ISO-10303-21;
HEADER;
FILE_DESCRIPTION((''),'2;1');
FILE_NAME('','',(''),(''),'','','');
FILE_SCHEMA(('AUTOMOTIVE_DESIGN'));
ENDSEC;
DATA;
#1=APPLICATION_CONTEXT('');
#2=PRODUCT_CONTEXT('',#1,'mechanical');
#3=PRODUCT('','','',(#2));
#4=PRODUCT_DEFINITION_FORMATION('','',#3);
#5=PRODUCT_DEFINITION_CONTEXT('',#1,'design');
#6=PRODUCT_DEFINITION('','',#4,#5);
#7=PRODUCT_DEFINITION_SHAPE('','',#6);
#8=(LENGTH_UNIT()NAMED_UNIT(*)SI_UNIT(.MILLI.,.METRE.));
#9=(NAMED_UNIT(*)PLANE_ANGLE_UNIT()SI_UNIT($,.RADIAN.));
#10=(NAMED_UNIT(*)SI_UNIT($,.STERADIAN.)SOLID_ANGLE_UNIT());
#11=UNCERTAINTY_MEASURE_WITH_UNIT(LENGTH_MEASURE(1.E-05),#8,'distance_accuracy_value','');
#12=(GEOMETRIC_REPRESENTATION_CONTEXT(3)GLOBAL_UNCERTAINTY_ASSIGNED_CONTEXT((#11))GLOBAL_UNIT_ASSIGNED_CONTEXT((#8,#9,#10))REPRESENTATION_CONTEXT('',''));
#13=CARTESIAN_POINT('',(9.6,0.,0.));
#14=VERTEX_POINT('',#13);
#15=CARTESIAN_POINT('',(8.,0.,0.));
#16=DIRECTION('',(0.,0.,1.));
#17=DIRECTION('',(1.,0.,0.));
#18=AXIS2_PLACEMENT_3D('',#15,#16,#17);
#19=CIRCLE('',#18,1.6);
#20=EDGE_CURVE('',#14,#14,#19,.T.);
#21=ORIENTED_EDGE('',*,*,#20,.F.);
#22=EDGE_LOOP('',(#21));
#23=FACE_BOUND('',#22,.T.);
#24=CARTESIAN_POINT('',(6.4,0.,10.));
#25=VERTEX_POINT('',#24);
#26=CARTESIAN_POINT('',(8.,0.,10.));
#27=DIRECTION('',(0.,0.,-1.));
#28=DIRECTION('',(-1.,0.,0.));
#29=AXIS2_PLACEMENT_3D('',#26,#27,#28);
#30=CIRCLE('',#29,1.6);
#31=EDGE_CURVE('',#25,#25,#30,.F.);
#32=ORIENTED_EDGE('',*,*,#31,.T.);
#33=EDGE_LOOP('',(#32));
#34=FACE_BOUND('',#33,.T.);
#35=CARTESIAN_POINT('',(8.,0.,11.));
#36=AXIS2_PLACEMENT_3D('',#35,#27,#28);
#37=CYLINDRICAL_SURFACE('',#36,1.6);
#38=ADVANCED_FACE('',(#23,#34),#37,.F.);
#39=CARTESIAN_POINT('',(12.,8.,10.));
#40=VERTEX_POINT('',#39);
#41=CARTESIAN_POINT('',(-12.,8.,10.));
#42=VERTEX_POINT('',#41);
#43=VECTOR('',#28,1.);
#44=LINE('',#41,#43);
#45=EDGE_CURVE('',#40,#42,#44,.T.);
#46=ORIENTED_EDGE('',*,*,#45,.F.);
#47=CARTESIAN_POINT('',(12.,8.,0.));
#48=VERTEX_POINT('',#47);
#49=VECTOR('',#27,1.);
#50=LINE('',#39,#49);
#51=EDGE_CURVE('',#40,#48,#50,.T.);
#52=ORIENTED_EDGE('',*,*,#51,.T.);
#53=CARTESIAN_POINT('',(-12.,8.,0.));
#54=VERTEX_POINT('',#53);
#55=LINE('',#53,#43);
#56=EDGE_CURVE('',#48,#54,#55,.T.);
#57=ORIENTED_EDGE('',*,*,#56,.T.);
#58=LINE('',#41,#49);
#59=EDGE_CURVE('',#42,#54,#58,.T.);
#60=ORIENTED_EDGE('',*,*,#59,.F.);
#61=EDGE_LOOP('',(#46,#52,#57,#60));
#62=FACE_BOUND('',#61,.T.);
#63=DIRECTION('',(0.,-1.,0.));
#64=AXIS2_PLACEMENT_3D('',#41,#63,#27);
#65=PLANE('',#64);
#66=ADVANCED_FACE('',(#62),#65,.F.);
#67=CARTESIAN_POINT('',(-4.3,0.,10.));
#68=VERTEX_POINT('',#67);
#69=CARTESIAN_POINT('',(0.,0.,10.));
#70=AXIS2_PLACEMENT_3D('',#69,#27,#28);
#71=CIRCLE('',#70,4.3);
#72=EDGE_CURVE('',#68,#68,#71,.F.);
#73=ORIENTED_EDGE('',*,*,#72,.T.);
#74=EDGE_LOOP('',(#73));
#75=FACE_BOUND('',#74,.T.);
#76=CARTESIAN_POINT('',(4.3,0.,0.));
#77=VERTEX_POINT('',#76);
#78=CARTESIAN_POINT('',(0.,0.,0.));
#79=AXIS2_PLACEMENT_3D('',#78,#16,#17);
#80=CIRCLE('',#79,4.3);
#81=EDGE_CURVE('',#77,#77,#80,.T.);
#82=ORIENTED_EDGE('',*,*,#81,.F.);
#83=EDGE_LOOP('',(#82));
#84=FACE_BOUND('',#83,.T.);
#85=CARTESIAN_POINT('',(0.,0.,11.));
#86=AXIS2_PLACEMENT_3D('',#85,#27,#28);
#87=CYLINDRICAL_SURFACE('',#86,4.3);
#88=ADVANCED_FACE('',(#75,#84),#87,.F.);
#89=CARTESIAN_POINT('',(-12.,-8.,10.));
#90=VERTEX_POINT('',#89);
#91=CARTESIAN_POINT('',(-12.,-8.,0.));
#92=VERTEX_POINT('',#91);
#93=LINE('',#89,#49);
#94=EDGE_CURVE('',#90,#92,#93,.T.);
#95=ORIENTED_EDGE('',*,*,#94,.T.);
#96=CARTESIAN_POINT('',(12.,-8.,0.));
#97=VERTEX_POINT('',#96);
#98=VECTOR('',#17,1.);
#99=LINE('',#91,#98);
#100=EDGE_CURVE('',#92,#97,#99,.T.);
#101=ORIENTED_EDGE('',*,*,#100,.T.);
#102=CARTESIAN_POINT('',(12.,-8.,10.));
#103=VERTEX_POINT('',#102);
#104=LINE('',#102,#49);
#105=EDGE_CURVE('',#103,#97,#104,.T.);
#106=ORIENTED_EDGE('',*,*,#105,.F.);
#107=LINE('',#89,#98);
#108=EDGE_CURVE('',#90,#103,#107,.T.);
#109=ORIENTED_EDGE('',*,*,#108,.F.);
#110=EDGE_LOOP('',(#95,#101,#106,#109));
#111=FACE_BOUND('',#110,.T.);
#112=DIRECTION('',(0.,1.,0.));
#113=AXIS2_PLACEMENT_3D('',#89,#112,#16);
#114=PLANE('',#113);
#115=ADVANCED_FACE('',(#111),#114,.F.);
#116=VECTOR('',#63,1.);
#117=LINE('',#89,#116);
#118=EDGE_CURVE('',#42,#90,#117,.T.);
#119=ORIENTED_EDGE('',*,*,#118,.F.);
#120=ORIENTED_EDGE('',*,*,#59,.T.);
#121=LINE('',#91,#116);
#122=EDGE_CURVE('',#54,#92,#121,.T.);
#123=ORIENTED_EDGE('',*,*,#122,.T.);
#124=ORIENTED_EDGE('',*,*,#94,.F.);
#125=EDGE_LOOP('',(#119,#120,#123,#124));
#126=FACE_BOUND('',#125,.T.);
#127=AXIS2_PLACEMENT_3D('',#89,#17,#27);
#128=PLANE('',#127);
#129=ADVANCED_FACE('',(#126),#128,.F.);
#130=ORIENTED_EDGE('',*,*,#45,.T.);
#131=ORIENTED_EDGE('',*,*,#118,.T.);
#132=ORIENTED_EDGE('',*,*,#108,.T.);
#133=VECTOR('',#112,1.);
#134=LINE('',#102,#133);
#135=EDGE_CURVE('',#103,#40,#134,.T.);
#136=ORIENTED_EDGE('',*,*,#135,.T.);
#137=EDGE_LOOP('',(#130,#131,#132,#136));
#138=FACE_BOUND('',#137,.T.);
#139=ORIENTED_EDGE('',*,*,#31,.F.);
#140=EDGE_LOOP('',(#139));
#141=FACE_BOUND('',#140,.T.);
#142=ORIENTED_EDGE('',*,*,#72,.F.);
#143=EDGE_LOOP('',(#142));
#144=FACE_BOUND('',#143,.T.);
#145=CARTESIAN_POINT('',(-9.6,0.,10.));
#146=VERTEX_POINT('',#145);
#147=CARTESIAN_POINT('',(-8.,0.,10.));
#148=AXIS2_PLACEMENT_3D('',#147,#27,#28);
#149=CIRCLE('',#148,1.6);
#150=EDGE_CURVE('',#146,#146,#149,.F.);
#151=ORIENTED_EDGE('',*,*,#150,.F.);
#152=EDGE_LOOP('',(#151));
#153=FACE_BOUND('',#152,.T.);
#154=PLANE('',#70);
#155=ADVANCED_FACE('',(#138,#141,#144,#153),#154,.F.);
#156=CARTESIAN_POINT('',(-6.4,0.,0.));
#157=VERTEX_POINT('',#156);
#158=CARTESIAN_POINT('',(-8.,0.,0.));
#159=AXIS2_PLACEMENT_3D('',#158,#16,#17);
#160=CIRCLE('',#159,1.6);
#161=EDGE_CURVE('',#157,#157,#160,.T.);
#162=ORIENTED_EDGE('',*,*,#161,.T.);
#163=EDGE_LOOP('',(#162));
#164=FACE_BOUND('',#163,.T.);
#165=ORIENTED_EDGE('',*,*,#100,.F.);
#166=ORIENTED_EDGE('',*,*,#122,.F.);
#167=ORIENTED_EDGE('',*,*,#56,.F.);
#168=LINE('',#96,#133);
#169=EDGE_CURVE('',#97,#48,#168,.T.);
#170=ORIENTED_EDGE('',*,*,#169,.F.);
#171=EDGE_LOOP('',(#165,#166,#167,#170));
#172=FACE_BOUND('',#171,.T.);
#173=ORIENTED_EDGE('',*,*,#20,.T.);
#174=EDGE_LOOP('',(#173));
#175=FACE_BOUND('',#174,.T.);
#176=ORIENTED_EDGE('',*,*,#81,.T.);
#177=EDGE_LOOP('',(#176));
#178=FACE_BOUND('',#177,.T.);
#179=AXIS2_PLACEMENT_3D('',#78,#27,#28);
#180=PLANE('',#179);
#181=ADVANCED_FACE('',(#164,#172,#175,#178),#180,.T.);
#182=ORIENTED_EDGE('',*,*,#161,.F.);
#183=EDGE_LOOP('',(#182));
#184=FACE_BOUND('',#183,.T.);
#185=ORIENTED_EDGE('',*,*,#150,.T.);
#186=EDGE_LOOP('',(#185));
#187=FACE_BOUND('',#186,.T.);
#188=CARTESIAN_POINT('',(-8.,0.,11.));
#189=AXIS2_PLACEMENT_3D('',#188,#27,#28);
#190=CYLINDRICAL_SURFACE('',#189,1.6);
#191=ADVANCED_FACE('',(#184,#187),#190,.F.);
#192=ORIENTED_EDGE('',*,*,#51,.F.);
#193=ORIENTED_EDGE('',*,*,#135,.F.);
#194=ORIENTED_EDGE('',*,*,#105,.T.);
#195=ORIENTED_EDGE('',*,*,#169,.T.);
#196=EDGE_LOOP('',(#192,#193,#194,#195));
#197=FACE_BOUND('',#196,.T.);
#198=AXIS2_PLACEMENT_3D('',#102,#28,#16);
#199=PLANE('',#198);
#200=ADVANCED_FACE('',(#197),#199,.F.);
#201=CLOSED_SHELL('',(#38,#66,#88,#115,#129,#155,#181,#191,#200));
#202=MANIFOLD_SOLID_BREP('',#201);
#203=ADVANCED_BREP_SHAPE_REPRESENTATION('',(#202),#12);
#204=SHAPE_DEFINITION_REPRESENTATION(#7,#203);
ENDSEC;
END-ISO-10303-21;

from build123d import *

# Parameters (mm, degrees)
SKETCH1_W           = 24
SKETCH1_H           = 16
BOSS_EXTRUDE1_DEPTH = 10
SKETCH2_R           = 4.3
SKETCH2_R_2         = 1.6
CUT_EXTRUDE2_DEPTH  = 11


with BuildPart() as part:
    # Sketch1 → Boss-Extrude1 (new body)
    with BuildSketch(Plane.XY):
        Rectangle(SKETCH1_W, SKETCH1_H)
    extrude(amount=BOSS_EXTRUDE1_DEPTH)

    # Sketch2 → Cut-Extrude2 (cut)
    with BuildSketch(Plane.XY):
        with Locations(Location((0, 0, 0), (0, 0, 180))):
            Circle(SKETCH2_R)
        with Locations(Location((8, 0, 0), (0, 0, 180))):
            Circle(SKETCH2_R_2)
        with Locations(Location((-8, 0, 0), (0, 0, 180))):
            Circle(SKETCH2_R_2)
    extrude(amount=CUT_EXTRUDE2_DEPTH, mode=Mode.SUBTRACT)


solid = part.part
